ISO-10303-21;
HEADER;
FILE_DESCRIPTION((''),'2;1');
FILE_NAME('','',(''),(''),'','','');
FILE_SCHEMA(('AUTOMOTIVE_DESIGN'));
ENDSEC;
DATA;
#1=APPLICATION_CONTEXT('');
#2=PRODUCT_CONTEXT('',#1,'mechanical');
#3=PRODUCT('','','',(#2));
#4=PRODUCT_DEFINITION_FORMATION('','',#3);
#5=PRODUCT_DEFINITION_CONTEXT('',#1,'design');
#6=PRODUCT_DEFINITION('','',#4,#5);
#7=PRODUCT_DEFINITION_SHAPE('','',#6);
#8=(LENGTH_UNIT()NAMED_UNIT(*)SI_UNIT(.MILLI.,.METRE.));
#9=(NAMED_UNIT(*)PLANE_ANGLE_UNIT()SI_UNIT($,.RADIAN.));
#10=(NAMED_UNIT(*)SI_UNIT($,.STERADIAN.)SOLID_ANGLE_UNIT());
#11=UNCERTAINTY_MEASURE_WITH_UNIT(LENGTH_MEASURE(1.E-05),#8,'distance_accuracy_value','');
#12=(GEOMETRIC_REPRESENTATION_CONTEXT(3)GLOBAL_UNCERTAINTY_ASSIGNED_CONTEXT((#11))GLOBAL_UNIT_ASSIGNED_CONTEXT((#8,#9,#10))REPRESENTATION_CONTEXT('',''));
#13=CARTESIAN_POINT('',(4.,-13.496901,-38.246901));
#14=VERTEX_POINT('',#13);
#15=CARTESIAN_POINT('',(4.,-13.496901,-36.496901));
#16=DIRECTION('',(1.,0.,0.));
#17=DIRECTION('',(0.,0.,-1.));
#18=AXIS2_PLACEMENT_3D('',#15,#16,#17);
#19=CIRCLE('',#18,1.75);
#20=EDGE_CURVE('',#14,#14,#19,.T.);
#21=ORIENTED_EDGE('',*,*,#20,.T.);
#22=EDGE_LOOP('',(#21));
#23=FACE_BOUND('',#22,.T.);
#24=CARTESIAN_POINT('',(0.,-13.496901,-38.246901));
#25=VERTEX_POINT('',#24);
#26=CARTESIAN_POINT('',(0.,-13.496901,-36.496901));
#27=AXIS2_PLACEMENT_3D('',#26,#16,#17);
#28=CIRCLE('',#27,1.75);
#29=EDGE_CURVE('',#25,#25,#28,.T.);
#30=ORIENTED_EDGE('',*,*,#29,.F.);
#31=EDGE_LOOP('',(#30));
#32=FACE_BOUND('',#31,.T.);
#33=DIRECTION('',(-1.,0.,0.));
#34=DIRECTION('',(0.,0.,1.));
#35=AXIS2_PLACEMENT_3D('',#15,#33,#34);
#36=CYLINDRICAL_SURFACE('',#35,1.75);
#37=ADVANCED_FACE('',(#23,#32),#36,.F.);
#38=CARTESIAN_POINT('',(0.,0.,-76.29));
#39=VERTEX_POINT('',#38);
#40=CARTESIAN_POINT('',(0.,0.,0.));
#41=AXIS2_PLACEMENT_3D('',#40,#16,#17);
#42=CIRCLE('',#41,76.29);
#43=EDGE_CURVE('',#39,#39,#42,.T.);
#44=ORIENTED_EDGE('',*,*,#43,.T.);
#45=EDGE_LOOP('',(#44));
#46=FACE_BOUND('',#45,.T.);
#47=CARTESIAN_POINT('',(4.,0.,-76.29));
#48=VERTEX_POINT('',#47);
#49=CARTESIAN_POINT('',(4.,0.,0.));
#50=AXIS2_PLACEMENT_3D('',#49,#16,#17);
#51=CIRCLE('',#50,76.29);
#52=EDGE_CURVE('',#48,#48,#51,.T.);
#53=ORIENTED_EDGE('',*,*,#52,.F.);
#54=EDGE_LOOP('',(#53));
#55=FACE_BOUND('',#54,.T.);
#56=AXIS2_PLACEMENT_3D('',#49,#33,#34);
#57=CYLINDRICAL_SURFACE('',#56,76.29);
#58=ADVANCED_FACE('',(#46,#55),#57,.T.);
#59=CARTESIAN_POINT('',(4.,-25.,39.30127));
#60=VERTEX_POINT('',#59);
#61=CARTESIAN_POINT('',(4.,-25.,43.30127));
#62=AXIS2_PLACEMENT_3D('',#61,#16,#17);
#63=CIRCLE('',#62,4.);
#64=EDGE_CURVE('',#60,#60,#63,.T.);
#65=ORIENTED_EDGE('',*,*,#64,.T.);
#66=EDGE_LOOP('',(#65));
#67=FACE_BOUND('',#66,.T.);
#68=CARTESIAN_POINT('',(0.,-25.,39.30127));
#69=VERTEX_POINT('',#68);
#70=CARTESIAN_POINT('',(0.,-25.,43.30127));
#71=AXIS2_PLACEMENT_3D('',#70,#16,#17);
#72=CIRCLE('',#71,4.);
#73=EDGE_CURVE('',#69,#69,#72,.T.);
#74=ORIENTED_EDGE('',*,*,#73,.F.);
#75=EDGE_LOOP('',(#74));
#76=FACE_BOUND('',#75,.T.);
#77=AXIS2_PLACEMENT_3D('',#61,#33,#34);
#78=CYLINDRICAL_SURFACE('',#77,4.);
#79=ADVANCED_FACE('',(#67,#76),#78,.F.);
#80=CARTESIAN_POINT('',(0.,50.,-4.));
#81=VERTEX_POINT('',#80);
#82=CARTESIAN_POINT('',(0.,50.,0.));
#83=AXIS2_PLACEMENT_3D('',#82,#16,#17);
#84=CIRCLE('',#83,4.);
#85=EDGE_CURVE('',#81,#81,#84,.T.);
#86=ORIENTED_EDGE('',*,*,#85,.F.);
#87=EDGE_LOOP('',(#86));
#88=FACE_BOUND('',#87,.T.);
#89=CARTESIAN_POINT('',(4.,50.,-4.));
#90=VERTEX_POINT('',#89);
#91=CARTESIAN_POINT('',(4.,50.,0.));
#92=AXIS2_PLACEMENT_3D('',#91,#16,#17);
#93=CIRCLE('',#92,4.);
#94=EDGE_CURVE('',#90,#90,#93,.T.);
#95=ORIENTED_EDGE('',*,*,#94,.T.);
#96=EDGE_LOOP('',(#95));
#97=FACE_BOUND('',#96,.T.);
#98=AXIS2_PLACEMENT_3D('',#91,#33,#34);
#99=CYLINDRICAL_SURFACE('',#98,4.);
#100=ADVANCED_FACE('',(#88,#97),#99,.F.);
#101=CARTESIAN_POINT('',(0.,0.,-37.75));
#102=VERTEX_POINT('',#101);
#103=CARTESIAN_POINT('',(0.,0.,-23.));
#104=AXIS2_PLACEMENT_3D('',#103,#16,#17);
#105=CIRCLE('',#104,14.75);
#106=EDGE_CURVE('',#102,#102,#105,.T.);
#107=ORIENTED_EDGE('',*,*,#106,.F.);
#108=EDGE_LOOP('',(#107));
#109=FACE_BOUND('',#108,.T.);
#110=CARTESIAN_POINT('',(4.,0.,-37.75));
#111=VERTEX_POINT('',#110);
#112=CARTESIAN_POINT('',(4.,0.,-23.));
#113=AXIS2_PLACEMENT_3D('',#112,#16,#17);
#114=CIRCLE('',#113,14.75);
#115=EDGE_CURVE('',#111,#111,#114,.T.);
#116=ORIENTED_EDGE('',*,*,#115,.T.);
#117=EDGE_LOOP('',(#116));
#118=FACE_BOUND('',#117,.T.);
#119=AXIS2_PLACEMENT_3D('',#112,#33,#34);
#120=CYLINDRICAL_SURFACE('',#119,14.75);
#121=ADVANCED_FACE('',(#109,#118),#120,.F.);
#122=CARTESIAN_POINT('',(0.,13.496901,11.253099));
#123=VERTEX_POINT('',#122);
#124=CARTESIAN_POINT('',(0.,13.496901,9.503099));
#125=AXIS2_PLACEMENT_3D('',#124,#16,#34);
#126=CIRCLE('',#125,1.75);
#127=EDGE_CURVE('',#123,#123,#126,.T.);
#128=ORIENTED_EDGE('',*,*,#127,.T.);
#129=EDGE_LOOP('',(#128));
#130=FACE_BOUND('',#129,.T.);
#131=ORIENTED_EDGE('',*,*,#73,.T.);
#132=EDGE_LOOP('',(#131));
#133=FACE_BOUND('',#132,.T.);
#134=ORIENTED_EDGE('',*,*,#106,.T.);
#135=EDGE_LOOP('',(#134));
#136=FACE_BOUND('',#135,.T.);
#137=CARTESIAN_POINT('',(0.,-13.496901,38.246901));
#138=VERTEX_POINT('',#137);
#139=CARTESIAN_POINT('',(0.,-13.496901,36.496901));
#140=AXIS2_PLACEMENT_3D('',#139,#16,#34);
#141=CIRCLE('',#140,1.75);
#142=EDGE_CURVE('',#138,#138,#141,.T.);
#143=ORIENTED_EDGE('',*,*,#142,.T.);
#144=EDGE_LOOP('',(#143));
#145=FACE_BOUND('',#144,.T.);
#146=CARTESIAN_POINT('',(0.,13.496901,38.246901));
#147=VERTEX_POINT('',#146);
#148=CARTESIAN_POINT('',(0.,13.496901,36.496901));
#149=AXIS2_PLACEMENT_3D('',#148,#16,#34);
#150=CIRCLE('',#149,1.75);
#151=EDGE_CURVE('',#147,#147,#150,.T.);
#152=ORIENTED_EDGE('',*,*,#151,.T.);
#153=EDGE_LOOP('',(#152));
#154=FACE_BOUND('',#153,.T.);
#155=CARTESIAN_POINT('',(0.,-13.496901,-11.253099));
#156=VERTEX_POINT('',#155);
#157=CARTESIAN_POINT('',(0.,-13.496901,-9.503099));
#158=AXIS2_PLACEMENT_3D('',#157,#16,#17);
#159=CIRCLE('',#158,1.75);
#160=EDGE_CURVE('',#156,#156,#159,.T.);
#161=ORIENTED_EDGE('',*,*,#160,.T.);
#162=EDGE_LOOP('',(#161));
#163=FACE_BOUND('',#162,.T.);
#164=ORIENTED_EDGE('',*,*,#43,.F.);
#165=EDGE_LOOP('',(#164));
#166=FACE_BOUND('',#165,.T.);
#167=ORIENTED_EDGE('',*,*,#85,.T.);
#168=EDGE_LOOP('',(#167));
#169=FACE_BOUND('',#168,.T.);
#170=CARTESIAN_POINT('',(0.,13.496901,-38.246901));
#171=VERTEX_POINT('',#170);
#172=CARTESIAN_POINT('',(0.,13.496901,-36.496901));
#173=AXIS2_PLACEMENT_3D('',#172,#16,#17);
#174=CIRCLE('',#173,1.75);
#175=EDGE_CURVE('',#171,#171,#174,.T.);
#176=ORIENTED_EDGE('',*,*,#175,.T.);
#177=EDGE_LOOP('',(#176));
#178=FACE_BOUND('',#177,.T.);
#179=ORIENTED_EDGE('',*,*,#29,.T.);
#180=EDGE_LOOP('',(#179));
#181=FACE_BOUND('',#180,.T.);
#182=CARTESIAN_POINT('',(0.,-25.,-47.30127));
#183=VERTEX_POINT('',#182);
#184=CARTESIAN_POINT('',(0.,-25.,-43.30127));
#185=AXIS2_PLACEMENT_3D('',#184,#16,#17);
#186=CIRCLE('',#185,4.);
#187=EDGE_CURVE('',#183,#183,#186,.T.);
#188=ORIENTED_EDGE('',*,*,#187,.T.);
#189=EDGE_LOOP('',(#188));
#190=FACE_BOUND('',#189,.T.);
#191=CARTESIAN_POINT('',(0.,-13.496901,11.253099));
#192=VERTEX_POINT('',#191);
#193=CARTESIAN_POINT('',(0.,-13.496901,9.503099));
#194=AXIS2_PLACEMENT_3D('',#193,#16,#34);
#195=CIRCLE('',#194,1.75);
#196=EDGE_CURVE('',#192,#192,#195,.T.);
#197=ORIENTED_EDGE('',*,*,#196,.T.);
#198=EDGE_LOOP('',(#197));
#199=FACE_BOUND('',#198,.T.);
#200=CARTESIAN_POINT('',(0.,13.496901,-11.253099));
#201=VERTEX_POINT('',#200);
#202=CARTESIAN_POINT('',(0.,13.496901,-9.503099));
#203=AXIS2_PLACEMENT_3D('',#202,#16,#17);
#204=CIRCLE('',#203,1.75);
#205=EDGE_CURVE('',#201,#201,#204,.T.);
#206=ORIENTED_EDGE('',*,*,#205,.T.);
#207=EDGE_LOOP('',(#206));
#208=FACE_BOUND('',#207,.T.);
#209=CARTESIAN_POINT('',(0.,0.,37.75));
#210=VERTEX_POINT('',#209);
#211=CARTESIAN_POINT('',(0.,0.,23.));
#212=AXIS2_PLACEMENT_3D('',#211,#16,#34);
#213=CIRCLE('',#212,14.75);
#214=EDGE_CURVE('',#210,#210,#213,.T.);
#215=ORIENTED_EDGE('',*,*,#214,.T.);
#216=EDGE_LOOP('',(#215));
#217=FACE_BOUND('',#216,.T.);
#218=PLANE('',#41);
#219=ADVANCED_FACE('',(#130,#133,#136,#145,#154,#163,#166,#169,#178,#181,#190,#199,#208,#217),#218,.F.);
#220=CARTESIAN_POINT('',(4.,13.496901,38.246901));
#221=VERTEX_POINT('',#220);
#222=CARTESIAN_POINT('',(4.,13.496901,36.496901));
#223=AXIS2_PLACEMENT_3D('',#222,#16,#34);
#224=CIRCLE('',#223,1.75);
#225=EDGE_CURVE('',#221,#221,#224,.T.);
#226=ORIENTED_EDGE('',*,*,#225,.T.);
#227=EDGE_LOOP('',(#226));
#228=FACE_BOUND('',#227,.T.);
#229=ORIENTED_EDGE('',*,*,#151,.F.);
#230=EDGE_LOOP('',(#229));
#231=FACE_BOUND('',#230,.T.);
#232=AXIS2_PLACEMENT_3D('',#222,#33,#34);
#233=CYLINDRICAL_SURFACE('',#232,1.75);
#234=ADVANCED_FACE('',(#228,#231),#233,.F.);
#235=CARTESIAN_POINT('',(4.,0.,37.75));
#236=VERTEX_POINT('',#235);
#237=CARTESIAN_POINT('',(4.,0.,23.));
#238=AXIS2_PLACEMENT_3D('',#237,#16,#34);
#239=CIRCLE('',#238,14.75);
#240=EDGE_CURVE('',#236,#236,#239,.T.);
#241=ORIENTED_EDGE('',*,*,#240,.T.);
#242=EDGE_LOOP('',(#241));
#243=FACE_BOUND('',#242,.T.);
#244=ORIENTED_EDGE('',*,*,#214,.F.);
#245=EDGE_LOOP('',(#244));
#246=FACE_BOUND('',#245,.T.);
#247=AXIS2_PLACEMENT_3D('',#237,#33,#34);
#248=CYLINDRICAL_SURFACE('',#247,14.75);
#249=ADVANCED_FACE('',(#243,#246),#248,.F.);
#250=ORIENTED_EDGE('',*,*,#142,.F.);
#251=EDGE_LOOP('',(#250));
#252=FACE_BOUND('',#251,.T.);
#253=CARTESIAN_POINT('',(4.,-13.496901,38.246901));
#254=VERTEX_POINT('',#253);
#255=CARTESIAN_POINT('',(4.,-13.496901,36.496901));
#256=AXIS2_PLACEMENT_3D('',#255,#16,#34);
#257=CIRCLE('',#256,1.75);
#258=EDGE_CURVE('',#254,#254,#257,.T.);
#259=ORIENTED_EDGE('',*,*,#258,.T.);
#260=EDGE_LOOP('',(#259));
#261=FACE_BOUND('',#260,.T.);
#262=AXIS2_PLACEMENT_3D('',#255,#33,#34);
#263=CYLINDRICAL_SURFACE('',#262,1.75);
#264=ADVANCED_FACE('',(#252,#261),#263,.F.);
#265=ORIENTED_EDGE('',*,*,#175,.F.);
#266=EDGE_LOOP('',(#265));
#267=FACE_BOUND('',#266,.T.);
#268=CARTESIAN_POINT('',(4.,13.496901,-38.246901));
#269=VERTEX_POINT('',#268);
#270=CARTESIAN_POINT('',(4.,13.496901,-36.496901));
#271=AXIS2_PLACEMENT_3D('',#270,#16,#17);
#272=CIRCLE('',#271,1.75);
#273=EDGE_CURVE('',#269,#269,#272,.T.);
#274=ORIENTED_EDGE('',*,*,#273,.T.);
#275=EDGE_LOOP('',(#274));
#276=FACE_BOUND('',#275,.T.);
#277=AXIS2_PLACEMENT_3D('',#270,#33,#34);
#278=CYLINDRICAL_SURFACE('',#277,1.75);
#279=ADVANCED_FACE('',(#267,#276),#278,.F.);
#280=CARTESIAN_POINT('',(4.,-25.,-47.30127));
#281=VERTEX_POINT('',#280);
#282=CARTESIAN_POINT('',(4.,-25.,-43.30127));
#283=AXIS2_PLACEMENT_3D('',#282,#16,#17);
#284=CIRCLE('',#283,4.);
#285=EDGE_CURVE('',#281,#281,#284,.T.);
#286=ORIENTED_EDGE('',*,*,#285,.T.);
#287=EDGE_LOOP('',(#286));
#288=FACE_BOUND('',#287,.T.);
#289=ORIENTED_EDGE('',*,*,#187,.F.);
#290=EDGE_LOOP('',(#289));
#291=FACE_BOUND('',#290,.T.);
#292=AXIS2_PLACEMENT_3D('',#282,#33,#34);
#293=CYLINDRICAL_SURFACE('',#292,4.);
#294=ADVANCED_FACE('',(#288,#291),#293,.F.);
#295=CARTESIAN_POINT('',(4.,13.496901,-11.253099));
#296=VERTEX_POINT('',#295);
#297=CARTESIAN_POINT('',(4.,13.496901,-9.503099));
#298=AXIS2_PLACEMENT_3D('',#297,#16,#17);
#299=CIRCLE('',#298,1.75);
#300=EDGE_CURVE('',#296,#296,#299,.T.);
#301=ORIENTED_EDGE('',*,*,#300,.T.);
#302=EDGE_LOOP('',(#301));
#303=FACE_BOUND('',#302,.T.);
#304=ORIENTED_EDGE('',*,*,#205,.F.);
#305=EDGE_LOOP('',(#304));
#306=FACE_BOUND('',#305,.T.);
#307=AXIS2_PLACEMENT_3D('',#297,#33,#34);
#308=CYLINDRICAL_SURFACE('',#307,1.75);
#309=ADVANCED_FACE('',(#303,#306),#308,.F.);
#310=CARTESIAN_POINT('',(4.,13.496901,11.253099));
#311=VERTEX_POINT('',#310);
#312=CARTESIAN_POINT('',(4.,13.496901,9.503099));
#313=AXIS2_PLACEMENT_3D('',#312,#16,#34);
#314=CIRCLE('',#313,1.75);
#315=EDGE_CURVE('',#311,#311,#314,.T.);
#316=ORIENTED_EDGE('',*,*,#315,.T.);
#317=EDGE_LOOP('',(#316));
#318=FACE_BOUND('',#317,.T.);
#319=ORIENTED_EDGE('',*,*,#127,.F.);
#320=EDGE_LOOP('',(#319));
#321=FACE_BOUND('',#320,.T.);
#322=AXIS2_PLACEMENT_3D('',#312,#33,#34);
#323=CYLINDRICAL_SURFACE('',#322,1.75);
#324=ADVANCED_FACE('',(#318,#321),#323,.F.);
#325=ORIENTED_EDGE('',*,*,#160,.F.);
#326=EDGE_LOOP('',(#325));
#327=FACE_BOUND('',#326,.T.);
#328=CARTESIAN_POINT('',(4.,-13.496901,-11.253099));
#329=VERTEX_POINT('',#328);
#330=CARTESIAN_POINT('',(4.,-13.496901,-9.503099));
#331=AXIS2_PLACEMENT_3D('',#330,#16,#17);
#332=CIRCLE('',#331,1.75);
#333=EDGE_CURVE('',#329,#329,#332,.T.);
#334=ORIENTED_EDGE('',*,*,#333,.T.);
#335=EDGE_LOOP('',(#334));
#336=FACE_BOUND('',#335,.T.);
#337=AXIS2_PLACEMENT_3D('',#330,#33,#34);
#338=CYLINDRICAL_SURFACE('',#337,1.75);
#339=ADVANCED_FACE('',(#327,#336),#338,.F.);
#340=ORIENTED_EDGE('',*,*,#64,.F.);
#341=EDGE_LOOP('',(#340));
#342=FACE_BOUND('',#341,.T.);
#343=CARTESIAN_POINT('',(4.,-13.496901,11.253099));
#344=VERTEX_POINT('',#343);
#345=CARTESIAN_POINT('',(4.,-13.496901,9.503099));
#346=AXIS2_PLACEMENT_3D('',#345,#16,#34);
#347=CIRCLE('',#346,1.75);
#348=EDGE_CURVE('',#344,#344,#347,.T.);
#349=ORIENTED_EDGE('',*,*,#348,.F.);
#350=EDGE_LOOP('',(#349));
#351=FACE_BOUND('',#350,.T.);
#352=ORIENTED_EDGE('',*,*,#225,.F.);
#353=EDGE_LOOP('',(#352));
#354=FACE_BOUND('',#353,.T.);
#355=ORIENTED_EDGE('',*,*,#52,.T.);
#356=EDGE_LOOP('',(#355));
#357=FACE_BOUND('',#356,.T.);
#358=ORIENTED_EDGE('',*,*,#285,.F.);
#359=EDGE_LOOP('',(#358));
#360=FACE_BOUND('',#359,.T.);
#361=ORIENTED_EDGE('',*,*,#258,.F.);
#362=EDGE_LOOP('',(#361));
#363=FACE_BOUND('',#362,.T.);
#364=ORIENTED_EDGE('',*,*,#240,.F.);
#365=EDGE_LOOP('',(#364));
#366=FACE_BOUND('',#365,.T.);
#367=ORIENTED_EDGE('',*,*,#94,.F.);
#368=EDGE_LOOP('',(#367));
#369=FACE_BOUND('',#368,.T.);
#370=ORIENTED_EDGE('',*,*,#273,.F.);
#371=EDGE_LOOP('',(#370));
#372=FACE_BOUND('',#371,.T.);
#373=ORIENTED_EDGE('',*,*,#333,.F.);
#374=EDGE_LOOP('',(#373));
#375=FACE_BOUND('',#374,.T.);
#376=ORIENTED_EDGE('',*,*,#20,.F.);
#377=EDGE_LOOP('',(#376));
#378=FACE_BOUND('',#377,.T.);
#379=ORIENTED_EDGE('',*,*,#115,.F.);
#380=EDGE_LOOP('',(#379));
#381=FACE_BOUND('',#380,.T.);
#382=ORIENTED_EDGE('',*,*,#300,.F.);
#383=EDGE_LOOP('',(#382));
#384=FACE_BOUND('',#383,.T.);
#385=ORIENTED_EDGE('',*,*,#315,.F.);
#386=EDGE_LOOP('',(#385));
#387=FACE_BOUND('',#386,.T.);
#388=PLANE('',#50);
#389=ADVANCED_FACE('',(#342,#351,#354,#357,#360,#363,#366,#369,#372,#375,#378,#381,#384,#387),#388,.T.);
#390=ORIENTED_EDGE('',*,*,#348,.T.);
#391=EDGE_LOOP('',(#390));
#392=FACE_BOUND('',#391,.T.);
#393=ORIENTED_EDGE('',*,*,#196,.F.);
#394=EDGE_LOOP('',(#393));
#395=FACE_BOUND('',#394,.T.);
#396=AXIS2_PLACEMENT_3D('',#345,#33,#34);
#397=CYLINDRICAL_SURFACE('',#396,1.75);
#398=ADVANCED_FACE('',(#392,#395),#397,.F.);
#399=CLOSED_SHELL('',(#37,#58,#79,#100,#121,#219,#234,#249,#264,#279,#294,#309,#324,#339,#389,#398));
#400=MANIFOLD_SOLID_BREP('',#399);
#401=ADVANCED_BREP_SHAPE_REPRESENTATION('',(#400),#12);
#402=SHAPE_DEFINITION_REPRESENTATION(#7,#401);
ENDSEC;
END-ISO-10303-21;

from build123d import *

# Parameters (mm, degrees)
SKETCH1_R           = 76.29
SKETCH1_R_2         = 4
SKETCH1_R_3         = 14.75
SKETCH1_R_4         = 1.75
BOSS_EXTRUDE1_DEPTH = 4


with BuildPart() as part:
    # Sketch1 → Boss-Extrude1 (new body)
    with BuildSketch(Plane(origin=(0, 0, 0), x_dir=(0, 0, -1), z_dir=(1, 0, 0))):
        Circle(SKETCH1_R)
        with Locations((0, 50)):
            Circle(SKETCH1_R_2, mode=Mode.SUBTRACT)
        with Locations((43.301270189, -25)):
            Circle(SKETCH1_R_2, mode=Mode.SUBTRACT)
        with Locations((-43.301270189, -25)):
            Circle(SKETCH1_R_2, mode=Mode.SUBTRACT)
        with Locations((23, 0)):
            Circle(SKETCH1_R_3, mode=Mode.SUBTRACT)
        with Locations(Location((-23, 0, 0), (0, 0, 180))):
            Circle(SKETCH1_R_3, mode=Mode.SUBTRACT)
        with Locations((36.496900686, 13.496900686)):
            Circle(SKETCH1_R_4, mode=Mode.SUBTRACT)
        with Locations((36.496900686, -13.496900686)):
            Circle(SKETCH1_R_4, mode=Mode.SUBTRACT)
        with Locations((9.503099314, -13.496900686)):
            Circle(SKETCH1_R_4, mode=Mode.SUBTRACT)
        with Locations((9.503099314, 13.496900686)):
            Circle(SKETCH1_R_4, mode=Mode.SUBTRACT)
        with Locations(Location((-36.496900686, -13.496900686, 0), (0, 0, 180))):
            Circle(SKETCH1_R_4, mode=Mode.SUBTRACT)
        with Locations(Location((-9.503099314, -13.496900686, 0), (0, 0, 180))):
            Circle(SKETCH1_R_4, mode=Mode.SUBTRACT)
        with Locations(Location((-9.503099314, 13.496900686, 0), (0, 0, 180))):
            Circle(SKETCH1_R_4, mode=Mode.SUBTRACT)
        with Locations(Location((-36.496900686, 13.496900686, 0), (0, 0, 180))):
            Circle(SKETCH1_R_4, mode=Mode.SUBTRACT)
    extrude(amount=BOSS_EXTRUDE1_DEPTH)


solid = part.part
